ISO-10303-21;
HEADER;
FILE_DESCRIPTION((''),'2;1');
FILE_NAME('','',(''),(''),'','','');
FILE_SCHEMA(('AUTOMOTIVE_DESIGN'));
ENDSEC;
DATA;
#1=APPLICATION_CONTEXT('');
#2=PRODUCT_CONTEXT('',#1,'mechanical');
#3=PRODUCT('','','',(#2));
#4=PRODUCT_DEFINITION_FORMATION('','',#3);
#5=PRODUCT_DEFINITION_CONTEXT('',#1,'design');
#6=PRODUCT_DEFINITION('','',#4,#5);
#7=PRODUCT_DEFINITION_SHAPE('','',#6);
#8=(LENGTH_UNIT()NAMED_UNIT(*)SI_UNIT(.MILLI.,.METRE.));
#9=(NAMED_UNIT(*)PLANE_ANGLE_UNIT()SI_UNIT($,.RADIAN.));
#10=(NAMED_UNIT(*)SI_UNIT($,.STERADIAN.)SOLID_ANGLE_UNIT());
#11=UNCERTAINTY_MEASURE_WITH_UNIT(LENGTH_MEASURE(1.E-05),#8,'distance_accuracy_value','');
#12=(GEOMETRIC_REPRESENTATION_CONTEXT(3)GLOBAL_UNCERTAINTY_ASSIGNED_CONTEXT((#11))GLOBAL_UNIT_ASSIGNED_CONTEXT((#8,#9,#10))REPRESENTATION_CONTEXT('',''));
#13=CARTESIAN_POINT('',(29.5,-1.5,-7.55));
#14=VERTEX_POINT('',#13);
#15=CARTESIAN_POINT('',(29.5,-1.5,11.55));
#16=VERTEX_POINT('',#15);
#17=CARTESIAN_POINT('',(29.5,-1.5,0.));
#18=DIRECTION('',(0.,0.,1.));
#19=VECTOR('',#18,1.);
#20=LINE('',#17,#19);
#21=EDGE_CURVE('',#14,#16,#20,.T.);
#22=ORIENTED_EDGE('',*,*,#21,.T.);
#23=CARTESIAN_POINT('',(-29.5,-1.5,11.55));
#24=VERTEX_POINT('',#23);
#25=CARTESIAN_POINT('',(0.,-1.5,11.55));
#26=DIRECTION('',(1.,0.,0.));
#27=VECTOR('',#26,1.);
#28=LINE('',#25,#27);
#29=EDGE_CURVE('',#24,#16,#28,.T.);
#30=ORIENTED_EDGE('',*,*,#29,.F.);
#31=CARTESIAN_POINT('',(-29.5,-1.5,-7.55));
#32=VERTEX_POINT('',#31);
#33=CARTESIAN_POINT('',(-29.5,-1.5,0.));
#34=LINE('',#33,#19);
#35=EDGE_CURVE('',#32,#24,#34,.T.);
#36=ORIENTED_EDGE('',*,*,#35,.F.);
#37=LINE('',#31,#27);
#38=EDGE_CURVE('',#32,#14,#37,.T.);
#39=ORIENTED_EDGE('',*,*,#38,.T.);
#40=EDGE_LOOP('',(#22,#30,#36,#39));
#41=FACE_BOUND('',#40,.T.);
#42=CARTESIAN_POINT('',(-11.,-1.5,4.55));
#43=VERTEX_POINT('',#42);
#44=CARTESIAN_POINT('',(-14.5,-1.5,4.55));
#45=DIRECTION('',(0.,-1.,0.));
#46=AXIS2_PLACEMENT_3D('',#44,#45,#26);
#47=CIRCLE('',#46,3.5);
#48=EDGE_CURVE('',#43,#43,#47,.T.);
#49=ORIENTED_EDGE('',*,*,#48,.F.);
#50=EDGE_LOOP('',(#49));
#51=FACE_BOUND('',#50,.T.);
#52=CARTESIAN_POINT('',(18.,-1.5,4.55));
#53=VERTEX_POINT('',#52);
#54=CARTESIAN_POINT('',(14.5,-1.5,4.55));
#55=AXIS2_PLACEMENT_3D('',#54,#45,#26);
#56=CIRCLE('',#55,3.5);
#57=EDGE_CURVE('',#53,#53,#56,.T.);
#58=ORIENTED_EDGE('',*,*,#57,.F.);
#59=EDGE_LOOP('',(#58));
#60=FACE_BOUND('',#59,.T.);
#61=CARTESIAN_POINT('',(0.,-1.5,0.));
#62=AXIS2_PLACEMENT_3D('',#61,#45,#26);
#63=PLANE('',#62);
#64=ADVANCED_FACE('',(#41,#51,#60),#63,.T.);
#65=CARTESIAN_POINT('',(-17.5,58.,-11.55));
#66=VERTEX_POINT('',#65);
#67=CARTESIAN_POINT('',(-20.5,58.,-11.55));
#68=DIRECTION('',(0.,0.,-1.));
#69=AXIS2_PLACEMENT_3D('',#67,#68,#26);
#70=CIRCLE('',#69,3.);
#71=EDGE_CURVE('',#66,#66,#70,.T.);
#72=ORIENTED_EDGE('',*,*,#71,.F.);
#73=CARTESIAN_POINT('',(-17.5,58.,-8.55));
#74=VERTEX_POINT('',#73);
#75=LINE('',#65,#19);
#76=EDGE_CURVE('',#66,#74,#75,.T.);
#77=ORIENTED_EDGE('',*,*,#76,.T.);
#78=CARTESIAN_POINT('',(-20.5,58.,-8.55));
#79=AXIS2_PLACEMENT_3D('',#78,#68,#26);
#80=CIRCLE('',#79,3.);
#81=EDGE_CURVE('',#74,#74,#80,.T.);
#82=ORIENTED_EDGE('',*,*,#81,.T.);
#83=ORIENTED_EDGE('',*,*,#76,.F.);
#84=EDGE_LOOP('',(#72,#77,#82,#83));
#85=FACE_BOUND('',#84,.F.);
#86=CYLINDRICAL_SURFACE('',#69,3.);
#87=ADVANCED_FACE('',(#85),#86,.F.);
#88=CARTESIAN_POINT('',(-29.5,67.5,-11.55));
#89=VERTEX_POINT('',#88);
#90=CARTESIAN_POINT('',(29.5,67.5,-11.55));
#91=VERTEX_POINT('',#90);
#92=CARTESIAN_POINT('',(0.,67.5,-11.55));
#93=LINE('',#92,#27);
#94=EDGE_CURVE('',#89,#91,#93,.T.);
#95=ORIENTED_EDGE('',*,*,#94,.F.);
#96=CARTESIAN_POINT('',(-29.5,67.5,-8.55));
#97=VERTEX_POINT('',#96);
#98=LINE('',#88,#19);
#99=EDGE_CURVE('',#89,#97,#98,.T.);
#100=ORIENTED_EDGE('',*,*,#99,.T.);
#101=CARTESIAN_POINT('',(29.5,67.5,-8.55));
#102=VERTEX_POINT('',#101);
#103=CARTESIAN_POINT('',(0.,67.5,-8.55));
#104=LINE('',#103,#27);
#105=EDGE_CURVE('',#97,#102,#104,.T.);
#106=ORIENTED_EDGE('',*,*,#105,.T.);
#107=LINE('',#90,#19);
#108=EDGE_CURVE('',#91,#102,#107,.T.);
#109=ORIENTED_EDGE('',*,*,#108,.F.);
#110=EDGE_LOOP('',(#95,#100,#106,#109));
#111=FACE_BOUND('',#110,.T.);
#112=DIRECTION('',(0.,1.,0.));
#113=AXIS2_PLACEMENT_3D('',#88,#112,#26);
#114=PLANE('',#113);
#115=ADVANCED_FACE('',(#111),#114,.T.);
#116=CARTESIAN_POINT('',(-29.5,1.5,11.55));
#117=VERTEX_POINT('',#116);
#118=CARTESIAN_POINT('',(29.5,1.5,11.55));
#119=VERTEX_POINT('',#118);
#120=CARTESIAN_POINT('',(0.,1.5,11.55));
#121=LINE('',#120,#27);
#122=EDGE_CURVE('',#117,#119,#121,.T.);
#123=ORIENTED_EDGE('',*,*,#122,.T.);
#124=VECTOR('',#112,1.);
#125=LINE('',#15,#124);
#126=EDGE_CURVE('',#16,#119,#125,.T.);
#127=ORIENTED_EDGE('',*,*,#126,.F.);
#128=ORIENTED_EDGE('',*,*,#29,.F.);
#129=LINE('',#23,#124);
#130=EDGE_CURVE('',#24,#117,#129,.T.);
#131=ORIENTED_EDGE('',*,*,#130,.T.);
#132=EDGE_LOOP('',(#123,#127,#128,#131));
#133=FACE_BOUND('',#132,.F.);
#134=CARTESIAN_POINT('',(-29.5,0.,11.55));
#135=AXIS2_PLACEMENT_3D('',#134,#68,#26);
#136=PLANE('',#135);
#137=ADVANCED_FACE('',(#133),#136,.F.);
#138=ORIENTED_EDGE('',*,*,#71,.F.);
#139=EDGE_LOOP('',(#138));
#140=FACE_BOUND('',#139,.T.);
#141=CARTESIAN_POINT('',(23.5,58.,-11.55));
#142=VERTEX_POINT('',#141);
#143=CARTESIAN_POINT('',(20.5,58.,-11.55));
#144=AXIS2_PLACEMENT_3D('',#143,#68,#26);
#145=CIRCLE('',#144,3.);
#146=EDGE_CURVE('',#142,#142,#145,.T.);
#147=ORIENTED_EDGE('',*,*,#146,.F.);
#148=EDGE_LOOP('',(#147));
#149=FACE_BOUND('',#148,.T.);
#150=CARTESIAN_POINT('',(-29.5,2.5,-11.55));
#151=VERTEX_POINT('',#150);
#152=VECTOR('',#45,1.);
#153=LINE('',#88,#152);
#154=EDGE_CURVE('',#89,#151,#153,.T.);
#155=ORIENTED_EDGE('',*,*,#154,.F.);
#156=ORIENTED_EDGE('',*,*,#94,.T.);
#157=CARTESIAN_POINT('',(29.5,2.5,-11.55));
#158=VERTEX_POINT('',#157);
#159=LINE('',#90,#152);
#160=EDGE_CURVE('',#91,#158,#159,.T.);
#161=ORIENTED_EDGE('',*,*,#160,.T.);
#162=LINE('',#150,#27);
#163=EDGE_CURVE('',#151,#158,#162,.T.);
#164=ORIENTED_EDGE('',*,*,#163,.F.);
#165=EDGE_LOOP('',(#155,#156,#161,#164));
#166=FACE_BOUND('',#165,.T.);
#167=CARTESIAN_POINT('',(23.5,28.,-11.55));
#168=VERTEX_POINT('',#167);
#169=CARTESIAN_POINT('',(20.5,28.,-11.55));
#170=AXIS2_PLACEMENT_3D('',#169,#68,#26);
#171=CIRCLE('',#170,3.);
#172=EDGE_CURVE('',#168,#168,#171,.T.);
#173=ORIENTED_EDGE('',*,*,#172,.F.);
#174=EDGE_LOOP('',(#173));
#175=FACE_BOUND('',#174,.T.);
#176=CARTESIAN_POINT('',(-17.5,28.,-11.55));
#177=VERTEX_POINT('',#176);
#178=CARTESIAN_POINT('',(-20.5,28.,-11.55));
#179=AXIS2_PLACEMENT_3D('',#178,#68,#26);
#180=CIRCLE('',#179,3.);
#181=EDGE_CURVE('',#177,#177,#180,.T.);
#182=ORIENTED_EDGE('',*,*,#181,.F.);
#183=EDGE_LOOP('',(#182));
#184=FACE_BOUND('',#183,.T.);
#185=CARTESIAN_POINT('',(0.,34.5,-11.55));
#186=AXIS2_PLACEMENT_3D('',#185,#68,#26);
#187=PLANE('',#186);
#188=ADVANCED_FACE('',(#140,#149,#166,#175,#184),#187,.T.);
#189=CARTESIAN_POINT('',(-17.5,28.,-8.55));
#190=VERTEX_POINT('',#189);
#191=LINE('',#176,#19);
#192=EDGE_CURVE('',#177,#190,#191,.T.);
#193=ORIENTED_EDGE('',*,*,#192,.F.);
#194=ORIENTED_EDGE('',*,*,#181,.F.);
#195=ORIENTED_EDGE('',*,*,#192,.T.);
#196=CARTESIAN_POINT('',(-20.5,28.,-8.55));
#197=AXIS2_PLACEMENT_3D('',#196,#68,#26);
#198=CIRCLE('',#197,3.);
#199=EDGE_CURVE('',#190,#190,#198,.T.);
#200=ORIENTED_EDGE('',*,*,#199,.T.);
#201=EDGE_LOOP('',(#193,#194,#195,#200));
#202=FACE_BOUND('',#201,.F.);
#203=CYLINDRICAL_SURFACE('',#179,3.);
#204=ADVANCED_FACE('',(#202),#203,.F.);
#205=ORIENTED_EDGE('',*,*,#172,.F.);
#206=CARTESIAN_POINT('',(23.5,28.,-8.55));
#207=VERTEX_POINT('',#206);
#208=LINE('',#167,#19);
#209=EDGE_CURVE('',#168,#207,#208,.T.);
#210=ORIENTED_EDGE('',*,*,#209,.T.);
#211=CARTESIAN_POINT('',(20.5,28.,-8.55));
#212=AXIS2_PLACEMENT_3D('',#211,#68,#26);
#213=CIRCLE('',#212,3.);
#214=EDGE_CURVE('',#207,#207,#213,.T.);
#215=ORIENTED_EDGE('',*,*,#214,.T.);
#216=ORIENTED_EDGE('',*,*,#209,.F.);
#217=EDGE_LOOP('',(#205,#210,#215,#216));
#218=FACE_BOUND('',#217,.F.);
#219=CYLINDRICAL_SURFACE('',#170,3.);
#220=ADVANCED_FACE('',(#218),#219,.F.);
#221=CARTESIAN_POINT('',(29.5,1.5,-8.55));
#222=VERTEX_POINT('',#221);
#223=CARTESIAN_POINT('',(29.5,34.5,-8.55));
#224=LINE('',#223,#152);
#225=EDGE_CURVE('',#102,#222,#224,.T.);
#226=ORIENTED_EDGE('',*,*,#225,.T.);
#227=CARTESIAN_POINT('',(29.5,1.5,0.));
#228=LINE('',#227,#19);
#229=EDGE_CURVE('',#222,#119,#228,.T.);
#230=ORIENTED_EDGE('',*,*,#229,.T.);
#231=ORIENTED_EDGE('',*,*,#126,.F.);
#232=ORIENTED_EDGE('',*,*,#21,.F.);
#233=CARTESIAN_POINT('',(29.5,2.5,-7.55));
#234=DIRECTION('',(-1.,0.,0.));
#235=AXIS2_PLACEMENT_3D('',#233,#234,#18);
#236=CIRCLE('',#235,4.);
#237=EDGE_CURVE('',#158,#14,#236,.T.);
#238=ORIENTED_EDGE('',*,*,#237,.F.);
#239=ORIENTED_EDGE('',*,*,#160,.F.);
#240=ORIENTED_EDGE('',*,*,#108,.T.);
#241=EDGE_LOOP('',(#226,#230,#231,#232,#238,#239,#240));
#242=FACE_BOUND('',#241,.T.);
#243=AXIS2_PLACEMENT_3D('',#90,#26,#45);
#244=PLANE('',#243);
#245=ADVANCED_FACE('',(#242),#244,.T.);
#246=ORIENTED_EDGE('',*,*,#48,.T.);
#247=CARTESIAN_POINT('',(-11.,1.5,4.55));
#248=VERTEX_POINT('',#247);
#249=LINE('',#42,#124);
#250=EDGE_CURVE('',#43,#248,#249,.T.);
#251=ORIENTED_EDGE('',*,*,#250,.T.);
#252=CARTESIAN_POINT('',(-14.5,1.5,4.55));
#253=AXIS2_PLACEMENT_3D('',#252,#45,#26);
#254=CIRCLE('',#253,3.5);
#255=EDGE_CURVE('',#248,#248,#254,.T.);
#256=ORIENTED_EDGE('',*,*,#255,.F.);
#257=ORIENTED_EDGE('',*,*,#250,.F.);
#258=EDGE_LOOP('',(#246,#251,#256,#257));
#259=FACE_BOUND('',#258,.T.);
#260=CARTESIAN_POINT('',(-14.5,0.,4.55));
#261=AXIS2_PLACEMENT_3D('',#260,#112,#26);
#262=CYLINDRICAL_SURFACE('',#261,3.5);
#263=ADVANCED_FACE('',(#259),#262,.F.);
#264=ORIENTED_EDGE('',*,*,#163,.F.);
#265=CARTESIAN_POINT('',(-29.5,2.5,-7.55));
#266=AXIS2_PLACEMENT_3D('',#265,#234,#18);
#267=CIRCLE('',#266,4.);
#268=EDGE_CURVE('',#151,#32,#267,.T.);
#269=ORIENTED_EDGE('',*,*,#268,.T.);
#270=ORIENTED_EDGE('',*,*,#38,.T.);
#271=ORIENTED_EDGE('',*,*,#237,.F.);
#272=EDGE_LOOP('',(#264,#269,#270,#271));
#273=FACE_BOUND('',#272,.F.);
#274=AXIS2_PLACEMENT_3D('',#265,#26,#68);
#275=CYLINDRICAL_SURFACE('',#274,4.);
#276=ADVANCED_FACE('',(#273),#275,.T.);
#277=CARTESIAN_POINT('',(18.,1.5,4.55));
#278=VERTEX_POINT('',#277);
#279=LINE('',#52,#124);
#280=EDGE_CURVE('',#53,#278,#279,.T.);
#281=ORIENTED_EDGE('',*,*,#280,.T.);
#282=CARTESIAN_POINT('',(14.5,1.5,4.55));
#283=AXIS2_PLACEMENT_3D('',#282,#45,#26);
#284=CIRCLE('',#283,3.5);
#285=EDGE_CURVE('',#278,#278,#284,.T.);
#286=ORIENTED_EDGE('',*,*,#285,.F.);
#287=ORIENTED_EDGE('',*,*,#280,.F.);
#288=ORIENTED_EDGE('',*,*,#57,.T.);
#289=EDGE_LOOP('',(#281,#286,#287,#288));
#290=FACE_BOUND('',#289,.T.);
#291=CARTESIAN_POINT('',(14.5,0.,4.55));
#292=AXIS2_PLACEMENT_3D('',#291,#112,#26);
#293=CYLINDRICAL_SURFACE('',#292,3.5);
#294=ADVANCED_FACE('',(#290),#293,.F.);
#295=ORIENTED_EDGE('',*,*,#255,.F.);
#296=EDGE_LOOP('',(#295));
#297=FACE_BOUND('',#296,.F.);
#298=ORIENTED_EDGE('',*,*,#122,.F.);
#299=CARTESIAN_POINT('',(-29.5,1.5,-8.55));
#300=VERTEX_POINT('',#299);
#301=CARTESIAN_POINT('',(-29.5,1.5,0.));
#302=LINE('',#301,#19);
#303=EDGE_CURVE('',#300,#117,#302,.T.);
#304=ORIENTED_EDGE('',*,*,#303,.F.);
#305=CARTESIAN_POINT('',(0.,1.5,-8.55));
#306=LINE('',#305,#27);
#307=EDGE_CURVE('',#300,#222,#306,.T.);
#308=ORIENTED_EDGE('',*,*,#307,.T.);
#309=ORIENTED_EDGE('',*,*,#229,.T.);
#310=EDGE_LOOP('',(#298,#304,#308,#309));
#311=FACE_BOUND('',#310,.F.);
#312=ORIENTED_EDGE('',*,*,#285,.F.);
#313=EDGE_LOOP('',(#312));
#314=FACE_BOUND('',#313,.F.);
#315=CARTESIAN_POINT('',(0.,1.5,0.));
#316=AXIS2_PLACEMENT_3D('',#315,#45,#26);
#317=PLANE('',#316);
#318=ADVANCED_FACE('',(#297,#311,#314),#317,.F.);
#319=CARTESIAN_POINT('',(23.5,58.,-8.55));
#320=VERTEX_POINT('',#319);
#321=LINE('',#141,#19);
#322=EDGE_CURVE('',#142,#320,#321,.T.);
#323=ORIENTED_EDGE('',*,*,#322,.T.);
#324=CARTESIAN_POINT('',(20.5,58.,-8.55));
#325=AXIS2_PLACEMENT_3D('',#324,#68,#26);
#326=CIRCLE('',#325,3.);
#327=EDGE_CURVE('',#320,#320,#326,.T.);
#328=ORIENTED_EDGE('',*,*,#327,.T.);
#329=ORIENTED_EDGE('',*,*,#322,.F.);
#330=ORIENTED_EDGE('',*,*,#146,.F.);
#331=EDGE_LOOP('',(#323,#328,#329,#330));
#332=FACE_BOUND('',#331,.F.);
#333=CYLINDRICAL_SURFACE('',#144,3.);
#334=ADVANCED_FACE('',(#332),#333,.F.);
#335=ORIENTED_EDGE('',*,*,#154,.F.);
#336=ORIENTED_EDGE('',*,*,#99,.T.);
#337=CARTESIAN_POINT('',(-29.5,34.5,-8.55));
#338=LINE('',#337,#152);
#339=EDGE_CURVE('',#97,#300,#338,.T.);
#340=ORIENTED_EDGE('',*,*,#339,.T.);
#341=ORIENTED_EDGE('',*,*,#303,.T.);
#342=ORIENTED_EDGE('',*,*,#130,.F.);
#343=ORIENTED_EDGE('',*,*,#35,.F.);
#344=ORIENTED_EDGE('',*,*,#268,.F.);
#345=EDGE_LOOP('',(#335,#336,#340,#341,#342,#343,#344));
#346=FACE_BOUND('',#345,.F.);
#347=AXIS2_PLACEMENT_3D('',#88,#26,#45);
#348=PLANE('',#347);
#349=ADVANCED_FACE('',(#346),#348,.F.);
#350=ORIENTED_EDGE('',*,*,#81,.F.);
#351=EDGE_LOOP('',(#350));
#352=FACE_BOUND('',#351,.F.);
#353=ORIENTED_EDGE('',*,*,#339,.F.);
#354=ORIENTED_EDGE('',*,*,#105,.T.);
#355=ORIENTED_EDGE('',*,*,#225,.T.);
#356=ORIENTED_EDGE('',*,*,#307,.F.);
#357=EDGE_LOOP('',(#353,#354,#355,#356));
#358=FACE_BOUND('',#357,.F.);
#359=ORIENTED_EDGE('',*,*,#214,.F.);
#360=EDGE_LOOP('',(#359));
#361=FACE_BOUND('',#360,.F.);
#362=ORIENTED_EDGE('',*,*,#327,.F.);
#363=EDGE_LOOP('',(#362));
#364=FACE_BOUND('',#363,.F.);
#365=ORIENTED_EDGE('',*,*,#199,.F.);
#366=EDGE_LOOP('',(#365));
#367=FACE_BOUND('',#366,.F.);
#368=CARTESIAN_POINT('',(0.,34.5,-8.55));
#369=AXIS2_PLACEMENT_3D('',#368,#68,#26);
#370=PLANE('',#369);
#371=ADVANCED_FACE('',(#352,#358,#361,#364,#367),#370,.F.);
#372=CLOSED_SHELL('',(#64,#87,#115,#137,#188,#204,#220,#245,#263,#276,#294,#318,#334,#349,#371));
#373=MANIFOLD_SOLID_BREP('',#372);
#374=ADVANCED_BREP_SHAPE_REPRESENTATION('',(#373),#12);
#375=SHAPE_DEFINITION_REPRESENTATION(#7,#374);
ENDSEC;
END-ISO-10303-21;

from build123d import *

# Parameters (mm, degrees)
F0_W     = 59
F0_H     = 23.1
F0_R     = 3.5
F1_DEPTH = 1.5
F3_W     = 59
F3_H     = 66
F3_R     = 3
F4_DEPTH = 3
F5_R     = 4


with BuildPart() as f1:
    # F0 (on Front) → F1 (new body, symmetric)
    with BuildSketch(Plane.XZ):
        Rectangle(F0_W, F0_H)
        with Locations((-14.5, 4.55)):
            Circle(F0_R, mode=Mode.SUBTRACT)
        with Locations((14.5, 4.55)):
            Circle(F0_R, mode=Mode.SUBTRACT)
    extrude(amount=F1_DEPTH, both=True)

    # F3 (on offset) → F4 (join)
    with BuildSketch(Plane(origin=(0, 0, -11.55), x_dir=(1, 0, 0), z_dir=(0, 0, -1))):
        with Locations((0, -34.5)):
            Rectangle(F3_W, F3_H)
        with Locations((-20.5, -58)):
            Circle(F3_R, mode=Mode.SUBTRACT)
        with Locations((20.5, -58)):
            Circle(F3_R, mode=Mode.SUBTRACT)
        with Locations((-20.5, -28)):
            Circle(F3_R, mode=Mode.SUBTRACT)
        with Locations((20.5, -28)):
            Circle(F3_R, mode=Mode.SUBTRACT)
    extrude(amount=-F4_DEPTH)

    # F5
    f5_edges = [f1.edges().sort_by_distance(p)[0] for p in [
        (0, -1.5, -11.55),
    ]]
    fillet(f5_edges, radius=F5_R)


solid = f1.part
